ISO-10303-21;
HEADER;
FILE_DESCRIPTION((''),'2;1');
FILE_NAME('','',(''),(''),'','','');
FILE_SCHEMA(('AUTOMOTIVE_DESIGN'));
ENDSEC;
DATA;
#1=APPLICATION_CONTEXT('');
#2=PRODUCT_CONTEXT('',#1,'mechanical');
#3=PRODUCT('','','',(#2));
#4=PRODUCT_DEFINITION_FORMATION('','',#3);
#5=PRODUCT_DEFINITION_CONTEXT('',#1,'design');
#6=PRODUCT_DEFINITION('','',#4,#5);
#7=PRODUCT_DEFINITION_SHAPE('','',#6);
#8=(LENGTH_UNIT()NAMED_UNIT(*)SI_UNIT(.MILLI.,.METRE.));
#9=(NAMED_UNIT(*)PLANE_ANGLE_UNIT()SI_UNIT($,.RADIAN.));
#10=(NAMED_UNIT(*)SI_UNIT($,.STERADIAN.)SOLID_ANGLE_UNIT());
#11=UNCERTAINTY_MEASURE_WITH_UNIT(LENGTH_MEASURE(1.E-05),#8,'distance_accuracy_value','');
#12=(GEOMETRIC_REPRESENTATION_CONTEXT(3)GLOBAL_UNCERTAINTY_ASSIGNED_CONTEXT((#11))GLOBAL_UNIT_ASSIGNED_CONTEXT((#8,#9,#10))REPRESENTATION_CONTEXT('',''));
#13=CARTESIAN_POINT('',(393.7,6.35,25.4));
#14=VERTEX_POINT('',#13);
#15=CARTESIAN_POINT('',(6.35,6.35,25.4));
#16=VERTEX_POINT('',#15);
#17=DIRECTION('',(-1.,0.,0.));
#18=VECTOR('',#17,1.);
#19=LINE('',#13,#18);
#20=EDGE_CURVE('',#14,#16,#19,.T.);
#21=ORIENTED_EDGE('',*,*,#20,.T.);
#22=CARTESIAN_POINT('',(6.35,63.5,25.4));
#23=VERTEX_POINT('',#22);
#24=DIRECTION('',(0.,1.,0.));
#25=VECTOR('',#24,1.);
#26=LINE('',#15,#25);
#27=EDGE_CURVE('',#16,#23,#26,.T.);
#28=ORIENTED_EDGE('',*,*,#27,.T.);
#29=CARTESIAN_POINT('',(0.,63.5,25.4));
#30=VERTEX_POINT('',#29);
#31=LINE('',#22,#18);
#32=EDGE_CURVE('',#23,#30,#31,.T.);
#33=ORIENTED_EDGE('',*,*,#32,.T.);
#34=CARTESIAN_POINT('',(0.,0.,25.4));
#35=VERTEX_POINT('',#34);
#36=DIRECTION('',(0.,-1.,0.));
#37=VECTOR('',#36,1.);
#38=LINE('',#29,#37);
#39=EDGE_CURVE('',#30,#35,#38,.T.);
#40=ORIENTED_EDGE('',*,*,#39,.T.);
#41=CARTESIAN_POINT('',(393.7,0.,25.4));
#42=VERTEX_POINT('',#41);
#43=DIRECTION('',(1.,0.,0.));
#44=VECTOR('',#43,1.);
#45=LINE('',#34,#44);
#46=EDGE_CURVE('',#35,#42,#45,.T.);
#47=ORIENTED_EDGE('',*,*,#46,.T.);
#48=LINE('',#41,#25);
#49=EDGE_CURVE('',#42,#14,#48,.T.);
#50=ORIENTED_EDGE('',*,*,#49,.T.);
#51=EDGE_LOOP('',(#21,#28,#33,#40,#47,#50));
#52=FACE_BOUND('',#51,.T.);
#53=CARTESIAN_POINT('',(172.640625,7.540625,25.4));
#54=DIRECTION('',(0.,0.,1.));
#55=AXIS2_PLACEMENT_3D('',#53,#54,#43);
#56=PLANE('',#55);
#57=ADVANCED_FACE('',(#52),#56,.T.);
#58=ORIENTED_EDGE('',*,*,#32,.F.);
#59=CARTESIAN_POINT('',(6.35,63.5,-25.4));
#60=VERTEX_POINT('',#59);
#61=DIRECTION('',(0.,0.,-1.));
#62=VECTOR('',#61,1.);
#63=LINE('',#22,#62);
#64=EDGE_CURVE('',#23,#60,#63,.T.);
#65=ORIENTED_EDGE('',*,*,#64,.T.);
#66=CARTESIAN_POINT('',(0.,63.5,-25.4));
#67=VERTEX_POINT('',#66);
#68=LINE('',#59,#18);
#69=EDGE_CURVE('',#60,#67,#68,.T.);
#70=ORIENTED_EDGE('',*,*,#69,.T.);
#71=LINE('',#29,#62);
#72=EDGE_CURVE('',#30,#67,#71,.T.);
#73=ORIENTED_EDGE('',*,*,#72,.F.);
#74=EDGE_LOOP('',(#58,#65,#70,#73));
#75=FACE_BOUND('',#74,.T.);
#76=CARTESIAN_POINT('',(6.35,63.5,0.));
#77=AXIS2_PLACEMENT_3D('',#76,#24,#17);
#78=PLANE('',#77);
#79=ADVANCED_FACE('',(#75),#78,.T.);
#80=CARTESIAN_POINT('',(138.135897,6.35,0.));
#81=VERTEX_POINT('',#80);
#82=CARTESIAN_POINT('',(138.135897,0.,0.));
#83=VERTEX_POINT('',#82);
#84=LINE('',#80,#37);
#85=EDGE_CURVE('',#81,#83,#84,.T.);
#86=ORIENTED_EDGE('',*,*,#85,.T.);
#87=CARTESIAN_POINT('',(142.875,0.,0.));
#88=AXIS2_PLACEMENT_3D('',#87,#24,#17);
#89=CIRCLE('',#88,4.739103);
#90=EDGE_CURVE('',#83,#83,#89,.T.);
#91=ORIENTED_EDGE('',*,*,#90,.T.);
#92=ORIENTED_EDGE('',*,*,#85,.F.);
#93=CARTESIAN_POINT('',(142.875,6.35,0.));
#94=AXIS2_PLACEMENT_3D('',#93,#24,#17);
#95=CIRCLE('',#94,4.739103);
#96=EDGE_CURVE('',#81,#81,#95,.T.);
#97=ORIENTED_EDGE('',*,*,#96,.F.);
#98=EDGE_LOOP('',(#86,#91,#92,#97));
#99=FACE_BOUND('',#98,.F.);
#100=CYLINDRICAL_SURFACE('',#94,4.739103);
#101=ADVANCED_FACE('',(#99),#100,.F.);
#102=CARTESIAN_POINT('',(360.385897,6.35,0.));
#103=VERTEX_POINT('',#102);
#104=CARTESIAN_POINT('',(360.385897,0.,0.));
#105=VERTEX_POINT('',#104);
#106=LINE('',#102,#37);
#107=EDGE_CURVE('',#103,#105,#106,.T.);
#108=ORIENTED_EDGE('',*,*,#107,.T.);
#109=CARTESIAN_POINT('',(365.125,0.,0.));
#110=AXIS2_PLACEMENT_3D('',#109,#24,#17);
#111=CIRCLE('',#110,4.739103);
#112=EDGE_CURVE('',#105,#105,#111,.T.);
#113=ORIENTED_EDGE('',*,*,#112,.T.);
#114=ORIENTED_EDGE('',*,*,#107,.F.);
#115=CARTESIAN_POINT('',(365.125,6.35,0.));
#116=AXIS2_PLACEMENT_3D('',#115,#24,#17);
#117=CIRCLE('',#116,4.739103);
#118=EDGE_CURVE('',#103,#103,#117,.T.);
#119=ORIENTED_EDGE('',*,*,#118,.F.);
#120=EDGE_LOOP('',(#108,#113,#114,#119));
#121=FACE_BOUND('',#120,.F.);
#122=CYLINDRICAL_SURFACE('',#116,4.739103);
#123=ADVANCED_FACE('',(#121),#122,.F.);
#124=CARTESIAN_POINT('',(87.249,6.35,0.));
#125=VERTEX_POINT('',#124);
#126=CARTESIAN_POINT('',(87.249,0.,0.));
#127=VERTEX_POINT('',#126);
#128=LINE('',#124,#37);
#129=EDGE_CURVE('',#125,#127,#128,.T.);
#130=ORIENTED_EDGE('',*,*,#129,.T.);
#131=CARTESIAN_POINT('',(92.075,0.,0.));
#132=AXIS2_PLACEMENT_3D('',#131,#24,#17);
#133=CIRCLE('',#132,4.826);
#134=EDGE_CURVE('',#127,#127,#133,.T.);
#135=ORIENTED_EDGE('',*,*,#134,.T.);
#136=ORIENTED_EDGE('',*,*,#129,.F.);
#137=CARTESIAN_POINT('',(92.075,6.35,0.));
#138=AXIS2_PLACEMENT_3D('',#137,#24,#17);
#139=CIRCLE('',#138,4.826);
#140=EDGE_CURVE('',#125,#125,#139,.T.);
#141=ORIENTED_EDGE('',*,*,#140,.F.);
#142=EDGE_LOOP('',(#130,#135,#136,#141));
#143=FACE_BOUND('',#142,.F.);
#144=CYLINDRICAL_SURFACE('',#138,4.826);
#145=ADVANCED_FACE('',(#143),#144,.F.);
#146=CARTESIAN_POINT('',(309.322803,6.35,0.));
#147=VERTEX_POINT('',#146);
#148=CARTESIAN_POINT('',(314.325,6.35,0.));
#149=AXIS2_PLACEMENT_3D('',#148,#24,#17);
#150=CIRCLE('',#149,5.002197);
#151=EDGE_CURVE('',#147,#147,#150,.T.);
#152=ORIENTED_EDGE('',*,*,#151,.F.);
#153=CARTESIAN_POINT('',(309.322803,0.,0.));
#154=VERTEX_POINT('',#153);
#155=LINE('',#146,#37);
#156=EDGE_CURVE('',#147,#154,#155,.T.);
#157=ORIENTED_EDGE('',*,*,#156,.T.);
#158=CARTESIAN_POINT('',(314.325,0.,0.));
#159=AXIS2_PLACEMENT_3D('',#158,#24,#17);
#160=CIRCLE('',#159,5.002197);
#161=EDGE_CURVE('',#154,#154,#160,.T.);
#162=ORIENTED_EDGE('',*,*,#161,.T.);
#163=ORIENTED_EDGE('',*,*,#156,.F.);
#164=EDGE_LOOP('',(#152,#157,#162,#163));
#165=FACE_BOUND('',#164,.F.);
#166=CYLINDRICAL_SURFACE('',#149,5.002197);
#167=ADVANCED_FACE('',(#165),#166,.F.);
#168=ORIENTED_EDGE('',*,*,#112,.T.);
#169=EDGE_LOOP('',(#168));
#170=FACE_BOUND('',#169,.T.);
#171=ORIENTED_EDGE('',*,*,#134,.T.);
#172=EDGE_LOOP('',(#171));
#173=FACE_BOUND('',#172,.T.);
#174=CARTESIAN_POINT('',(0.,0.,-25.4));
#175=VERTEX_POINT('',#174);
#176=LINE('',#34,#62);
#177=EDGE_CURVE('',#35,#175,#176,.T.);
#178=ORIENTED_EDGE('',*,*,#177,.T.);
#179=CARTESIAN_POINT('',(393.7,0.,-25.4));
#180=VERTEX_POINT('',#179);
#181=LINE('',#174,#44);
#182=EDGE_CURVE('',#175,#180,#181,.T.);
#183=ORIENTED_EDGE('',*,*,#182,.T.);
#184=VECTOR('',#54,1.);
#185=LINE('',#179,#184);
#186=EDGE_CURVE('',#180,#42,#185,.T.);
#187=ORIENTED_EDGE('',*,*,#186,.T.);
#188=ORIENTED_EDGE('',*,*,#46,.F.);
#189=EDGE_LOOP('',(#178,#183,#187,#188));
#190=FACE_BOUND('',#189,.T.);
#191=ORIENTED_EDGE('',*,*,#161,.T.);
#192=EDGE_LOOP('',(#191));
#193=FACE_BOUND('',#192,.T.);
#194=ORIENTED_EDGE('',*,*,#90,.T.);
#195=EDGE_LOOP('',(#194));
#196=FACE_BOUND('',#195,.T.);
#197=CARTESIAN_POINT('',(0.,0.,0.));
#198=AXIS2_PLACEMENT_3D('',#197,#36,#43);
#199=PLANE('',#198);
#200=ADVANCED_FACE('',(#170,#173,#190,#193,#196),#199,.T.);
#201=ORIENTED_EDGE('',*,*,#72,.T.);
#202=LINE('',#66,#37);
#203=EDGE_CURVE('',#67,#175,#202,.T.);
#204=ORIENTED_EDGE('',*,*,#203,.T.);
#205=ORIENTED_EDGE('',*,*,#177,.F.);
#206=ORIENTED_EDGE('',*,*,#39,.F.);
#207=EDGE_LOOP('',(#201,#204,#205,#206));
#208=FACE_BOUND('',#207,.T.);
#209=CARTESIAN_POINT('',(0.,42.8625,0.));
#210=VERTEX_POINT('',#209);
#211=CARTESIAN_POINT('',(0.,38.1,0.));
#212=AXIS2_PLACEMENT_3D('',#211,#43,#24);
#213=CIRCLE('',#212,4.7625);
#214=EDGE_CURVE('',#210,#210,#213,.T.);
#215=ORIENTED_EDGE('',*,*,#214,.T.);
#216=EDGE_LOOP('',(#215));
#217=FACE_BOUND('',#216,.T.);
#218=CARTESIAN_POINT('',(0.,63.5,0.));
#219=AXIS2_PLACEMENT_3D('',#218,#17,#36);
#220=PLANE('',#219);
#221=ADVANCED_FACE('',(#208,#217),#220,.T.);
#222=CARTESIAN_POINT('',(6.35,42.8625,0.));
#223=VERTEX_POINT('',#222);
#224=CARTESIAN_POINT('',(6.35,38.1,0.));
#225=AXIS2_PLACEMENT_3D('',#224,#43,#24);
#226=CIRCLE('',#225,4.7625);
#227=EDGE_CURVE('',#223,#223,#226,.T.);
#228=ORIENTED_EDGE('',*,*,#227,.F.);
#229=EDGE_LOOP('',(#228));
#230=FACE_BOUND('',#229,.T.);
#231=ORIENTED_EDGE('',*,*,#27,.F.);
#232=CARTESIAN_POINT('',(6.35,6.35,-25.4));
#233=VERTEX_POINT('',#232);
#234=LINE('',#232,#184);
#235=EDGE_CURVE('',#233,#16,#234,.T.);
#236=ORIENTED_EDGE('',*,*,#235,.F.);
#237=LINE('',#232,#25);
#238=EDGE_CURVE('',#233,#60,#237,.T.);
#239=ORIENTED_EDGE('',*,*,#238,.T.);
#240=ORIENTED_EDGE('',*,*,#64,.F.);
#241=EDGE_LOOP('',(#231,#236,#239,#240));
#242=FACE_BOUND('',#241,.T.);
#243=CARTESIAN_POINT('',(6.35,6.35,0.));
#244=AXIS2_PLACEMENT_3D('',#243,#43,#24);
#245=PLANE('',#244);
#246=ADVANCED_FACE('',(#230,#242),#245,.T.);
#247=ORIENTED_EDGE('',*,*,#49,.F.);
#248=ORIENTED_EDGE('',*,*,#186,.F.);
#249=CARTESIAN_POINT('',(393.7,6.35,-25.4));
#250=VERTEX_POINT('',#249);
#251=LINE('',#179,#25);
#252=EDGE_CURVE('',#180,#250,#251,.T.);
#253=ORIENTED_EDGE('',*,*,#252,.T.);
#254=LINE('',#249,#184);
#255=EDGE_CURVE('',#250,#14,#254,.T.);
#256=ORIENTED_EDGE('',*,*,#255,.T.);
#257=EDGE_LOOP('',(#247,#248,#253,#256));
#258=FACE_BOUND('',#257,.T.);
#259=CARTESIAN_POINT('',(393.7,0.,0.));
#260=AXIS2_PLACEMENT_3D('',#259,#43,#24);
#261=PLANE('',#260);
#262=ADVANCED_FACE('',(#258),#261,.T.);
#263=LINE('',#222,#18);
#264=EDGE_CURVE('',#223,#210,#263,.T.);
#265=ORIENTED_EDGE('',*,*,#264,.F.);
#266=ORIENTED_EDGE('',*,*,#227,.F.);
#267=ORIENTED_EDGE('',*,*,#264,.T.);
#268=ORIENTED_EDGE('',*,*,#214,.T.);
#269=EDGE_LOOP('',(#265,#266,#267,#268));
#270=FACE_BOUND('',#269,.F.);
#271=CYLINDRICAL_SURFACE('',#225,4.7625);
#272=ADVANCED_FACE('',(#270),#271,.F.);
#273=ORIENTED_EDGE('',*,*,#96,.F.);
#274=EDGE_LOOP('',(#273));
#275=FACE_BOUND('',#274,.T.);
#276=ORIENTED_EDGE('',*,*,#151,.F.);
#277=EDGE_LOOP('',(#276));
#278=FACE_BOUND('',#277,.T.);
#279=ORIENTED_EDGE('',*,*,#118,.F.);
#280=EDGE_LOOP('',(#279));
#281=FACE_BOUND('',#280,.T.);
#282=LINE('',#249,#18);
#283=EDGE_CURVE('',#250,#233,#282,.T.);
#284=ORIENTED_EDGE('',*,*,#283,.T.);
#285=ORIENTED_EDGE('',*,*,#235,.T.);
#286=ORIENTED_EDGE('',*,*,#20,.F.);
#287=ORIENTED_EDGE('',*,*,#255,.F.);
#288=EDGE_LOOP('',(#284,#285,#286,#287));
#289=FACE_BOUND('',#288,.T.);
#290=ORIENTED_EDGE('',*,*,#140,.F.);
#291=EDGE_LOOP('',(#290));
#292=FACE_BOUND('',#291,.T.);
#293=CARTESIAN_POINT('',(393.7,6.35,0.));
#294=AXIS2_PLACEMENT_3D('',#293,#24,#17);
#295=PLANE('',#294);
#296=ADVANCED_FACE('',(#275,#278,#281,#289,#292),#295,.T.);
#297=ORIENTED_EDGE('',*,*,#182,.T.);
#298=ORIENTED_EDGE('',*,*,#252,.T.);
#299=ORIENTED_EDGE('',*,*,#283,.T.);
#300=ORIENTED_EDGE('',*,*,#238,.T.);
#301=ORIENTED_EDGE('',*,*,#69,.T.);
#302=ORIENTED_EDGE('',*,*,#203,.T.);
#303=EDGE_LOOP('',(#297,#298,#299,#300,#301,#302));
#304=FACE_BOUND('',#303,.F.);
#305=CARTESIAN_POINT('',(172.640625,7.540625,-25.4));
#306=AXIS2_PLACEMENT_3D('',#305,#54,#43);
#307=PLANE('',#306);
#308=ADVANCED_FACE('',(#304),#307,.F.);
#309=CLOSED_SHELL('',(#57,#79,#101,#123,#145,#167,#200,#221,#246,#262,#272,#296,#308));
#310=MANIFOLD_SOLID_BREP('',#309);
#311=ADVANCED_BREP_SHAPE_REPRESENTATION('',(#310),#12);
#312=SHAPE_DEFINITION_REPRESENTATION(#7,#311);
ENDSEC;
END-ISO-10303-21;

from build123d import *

# Parameters (mm, degrees)
F1_DEPTH = 25.4
F2_R     = 4.7625
F3_DEPTH = 6.351
F4_R     = 4.739103
F4_R_2   = 5.002197
F4_R_3   = 4.826
F5_DEPTH = 6.351


with BuildPart() as f1:
    # F0 (on Top) → F1 (new body, symmetric)
    with BuildSketch(Plane.XY):
        Polygon((0, 0), (393.7, 0), (393.7, 6.35), (6.35, 6.35), (6.35, 63.5), (0, 63.5), align=None)
    extrude(amount=F1_DEPTH, both=True)

    # F2 (on face) → F3 (cut, through all)
    with BuildSketch(Plane.YZ.offset(6.35)):
        with Locations((38.1, 0)):
            Circle(F2_R)
    extrude(amount=-F3_DEPTH, mode=Mode.SUBTRACT)

    # F4 (on face) → F5 (cut, through all)
    with BuildSketch(Plane(origin=(0, 6.35, 0), x_dir=(-1, 0, 0), z_dir=(0, 1, 0))):
        with Locations((-365.125, 0)):
            Circle(F4_R)
        with Locations((-314.325, 0)):
            Circle(F4_R_2)
        with Locations((-142.875, 0)):
            Circle(F4_R)
        with Locations((-92.075, 0)):
            Circle(F4_R_3)
    extrude(amount=-F5_DEPTH, mode=Mode.SUBTRACT)


solid = f1.part
